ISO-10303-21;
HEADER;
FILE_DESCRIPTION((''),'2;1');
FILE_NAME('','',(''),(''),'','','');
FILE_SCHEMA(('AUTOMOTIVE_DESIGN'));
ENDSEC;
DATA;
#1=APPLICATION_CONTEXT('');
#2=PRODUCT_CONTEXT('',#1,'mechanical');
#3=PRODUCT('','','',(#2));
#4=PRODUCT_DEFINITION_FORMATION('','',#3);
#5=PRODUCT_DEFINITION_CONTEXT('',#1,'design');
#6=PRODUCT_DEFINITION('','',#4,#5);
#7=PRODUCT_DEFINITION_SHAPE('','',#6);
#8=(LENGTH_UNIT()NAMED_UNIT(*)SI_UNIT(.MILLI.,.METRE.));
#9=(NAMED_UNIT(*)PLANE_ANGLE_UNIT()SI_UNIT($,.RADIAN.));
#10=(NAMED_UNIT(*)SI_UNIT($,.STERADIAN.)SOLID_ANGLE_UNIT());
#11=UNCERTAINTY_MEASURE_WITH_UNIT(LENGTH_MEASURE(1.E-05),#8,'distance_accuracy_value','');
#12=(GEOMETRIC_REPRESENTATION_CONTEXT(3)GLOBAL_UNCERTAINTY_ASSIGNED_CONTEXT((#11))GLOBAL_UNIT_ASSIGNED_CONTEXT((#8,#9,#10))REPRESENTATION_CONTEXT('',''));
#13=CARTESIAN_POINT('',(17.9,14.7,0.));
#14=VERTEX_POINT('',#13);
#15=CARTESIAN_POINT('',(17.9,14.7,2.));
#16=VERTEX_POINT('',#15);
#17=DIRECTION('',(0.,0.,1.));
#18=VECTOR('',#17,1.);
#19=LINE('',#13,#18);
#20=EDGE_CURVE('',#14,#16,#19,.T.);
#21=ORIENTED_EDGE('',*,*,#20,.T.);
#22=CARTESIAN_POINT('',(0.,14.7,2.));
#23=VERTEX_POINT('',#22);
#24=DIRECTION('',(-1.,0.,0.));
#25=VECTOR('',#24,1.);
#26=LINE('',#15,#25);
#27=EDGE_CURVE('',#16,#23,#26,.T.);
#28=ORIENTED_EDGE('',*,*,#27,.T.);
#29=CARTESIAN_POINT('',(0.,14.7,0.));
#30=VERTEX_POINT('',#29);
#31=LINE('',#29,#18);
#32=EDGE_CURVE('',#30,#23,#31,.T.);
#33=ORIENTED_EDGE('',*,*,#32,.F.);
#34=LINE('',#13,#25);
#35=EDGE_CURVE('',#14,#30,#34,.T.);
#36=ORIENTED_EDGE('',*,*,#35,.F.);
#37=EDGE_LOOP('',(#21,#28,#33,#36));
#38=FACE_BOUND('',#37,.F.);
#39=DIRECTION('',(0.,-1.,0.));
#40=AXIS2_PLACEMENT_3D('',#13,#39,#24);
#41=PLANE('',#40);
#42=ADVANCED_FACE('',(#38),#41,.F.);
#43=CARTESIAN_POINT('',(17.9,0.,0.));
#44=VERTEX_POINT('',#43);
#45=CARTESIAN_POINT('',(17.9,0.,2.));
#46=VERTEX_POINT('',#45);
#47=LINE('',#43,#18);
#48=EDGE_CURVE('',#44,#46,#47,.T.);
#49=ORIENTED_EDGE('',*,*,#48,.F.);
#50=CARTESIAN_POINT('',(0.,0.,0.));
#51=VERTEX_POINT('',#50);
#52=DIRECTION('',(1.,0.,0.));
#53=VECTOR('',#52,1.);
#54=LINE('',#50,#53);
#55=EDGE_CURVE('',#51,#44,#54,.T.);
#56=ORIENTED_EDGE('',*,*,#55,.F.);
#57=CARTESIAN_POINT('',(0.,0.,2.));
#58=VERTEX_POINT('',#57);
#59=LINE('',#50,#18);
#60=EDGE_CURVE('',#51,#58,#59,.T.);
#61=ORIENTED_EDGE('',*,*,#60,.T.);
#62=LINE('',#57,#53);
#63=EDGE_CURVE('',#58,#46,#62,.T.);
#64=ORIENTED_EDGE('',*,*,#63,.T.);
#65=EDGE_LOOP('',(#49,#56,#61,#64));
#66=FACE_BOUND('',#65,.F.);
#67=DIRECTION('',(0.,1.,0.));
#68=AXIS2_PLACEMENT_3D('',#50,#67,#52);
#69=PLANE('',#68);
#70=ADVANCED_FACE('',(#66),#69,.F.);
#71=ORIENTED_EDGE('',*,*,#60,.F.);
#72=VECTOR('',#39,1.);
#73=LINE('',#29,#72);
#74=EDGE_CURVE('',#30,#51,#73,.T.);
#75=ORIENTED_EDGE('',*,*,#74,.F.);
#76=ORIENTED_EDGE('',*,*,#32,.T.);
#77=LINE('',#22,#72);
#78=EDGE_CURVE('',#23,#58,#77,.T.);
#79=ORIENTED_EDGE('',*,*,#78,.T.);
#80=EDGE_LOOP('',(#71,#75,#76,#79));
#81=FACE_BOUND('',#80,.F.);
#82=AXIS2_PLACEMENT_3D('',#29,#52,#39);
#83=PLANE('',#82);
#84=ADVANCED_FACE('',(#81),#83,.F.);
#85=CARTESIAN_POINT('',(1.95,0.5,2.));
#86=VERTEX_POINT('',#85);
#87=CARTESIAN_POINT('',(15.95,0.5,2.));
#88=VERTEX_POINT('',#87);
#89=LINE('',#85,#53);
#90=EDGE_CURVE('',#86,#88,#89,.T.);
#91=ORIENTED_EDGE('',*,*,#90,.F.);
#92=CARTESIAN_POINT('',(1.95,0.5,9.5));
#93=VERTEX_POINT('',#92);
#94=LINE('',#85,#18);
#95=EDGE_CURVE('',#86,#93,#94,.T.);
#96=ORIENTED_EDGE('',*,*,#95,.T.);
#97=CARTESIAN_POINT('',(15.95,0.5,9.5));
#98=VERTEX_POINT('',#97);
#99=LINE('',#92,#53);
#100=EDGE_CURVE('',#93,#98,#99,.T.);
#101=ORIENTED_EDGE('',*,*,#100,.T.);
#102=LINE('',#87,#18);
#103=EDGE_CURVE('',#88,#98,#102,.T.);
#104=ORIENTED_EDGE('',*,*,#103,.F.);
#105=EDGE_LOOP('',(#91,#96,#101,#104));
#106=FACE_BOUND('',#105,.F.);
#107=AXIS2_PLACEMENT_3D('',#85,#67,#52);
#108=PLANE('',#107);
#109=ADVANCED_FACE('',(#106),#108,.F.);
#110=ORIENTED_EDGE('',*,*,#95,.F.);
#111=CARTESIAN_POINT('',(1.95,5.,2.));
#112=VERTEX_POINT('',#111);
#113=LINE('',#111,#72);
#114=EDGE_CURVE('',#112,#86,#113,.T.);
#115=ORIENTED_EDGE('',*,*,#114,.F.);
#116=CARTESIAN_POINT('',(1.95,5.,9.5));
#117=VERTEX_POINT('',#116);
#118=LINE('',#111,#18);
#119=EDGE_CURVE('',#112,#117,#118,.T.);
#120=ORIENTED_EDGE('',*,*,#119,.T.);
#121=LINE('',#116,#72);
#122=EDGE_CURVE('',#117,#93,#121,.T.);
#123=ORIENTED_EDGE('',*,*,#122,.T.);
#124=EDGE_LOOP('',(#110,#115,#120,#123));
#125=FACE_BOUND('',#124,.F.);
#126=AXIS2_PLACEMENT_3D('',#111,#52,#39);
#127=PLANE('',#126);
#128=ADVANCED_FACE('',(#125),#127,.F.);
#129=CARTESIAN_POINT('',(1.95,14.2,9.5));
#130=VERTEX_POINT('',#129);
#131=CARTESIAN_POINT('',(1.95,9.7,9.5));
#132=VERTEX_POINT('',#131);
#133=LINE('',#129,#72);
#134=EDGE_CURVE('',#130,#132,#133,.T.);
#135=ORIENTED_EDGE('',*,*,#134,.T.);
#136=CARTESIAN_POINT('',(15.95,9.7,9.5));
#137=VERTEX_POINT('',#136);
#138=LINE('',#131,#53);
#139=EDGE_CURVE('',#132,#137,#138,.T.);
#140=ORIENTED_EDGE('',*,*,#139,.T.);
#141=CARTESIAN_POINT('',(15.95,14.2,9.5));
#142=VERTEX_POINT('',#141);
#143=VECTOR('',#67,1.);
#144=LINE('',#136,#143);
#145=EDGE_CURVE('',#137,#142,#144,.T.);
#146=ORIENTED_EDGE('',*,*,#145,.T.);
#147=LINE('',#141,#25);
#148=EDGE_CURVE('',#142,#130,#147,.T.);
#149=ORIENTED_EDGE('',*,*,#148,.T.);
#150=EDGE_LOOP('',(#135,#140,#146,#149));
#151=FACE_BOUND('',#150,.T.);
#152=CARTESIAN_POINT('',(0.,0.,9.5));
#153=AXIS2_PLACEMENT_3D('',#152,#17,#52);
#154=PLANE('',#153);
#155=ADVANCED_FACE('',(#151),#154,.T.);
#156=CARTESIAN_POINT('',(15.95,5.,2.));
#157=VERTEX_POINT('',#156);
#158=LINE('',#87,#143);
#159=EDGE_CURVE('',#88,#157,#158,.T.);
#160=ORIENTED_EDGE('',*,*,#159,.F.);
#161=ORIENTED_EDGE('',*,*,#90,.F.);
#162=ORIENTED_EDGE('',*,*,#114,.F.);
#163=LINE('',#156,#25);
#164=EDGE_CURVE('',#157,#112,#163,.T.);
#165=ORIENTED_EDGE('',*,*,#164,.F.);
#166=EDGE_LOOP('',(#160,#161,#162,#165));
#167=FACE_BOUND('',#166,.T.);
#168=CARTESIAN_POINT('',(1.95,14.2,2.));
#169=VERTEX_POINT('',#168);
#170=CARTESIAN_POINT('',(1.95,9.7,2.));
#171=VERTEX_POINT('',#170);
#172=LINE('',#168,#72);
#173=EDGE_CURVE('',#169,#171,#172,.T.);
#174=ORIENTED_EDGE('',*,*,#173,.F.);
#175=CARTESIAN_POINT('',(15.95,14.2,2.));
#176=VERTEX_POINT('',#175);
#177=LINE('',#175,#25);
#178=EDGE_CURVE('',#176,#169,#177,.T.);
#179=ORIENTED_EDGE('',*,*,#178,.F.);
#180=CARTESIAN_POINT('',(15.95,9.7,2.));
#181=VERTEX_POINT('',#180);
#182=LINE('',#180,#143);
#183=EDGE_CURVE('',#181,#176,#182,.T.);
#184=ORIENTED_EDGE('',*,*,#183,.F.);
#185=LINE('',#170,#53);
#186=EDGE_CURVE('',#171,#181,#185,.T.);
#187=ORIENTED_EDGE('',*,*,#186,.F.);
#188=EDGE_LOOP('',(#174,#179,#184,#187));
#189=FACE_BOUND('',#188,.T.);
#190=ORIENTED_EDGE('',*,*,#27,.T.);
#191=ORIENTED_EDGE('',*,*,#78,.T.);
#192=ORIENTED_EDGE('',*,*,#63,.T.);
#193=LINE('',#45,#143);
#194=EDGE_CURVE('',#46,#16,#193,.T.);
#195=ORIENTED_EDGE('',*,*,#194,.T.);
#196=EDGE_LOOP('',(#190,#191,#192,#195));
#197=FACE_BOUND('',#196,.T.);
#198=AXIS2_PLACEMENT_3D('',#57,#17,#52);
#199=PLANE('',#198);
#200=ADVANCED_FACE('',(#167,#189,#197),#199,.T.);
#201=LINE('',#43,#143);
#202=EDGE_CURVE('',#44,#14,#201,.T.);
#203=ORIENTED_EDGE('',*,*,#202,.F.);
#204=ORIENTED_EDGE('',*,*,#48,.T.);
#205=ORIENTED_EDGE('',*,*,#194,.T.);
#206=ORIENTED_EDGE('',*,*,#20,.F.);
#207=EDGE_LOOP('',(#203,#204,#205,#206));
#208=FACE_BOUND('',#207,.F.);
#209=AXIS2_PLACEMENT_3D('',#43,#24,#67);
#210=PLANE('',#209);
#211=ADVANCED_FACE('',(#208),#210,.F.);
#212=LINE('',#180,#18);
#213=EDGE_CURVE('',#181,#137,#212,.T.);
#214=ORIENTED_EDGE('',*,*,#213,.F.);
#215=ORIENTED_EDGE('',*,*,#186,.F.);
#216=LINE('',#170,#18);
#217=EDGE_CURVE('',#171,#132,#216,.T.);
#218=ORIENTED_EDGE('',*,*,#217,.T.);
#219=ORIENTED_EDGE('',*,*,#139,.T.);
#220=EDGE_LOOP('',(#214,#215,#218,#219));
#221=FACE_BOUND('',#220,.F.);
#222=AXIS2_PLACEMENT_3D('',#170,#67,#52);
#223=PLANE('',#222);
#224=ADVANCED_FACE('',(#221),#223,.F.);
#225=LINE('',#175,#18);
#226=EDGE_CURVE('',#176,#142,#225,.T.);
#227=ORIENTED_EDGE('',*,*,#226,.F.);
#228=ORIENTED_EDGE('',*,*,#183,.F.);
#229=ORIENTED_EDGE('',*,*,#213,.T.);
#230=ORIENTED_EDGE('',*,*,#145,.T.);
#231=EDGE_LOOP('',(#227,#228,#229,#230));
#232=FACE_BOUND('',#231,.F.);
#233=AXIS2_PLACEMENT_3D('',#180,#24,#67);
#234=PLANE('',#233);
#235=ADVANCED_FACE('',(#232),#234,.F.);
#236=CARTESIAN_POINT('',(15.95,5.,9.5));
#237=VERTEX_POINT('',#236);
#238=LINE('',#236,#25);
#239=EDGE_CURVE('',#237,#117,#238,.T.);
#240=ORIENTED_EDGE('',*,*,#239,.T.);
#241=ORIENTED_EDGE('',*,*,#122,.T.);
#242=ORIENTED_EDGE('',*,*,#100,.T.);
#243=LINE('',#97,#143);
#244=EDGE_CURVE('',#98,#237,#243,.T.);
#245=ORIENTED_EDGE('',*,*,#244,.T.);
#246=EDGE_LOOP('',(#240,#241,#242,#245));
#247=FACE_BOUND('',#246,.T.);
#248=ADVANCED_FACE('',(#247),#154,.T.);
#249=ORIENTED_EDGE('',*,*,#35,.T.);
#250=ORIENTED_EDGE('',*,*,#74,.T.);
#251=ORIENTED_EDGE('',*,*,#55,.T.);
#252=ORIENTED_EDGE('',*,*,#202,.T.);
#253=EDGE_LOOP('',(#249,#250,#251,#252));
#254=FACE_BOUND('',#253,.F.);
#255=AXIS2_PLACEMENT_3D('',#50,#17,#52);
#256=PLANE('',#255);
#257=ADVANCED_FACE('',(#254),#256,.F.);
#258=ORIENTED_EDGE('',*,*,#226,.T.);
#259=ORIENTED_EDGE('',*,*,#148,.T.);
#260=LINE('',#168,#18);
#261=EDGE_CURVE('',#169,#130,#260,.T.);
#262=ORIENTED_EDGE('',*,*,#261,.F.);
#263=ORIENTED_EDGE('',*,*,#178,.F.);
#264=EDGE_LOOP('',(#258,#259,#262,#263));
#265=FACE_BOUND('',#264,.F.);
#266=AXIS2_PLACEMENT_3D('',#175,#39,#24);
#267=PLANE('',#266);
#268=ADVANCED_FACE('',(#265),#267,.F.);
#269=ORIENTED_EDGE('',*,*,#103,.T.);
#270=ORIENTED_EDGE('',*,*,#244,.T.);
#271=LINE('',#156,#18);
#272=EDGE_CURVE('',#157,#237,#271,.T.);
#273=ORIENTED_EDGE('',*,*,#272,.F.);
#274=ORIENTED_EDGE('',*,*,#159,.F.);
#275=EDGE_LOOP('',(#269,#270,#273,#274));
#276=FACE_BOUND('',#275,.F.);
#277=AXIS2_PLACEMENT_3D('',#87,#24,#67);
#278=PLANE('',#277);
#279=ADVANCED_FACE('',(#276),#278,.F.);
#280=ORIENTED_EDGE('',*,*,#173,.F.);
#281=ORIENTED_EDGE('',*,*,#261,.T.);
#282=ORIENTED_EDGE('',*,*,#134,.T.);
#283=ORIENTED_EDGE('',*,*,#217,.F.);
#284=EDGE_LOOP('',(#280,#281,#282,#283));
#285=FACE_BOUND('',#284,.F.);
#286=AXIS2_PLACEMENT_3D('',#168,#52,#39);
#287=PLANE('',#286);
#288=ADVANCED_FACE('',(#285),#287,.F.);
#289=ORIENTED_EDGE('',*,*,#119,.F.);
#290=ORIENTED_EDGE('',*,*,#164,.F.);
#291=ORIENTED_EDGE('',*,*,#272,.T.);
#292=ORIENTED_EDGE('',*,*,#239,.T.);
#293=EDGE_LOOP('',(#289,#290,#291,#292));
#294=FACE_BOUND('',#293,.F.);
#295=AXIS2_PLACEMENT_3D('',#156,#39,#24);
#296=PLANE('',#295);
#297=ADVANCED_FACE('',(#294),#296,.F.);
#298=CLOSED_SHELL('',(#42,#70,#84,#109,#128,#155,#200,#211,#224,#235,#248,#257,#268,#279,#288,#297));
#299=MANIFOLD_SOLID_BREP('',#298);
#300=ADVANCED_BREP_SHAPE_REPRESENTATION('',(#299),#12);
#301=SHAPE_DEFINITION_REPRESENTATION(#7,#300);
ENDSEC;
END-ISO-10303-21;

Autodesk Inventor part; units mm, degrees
ref_plane "YZ Plane" through (0, 0, 0) normal (1, 0, 0) x (0, 1, 0)
ref_plane "XZ Plane" through (0, 0, 0) normal (0, 1, 0) x (-1, 0, 0)
ref_plane "XY Plane" through (0, 0, 0) normal (0, 0, 1) x (1, 0, 0)
sketch "Sketch1" plane through (0, 0, 0) normal (0, 0, 1) x (1, 0, 0)
  line L0 (0, 0) -> (17.9, 0)
  line L1 (17.9, 0) -> (17.9, 14.7)
  line L2 (17.9, 14.7) -> (0, 14.7)
  line L3 (0, 14.7) -> (0, 0)
  dimension "d0" = 17.9
  dimension "d1" = 14.7
extrude "Extrusion1" add sketch "Sketch1" along normal blind 2
sketch "Sketch2" plane through (0, 0, 2) normal (0, 0, 1) x (1, 0, 0)
  line L0 (1.95, 0.5) -> (15.95, 0.5)
  line L1 (15.95, 0.5) -> (15.95, 5)
  line L2 (15.95, 5) -> (1.95, 5)
  line L3 (1.95, 5) -> (1.95, 0.5)
  line L4 (0, 0) -> (17.9, 0) projected
  line L5 (17.9, 0) -> (17.9, 14.7) projected
  line L6 (0, 14.7) -> (0, 0) projected
  line L7 (1.95, 9.7) -> (15.95, 9.7)
  line L8 (15.95, 9.7) -> (15.95, 14.2)
  line L9 (15.95, 14.2) -> (1.95, 14.2)
  line L10 (1.95, 14.2) -> (1.95, 9.7)
  line L11 (17.9, 14.7) -> (0, 14.7) projected
  dimension "d6" = 0.5
  dimension "d7" = 4.5
  dimension "d8" = 14
  dimension "d9" = 1.95
  dimension "d10" = 1.95
  dimension "d11" = 4.5
  dimension "d12" = 14
  dimension "d13" = 0.5
  dimension "d14" = 1.95
  dimension "d15" = 1.95
extrude "Extrusion2" add sketch "Sketch2" along normal blind 7.5 contours L3 L2 L1 L0 | L10 L9 L8 L7
properties part number "HDMI_Jumper"
